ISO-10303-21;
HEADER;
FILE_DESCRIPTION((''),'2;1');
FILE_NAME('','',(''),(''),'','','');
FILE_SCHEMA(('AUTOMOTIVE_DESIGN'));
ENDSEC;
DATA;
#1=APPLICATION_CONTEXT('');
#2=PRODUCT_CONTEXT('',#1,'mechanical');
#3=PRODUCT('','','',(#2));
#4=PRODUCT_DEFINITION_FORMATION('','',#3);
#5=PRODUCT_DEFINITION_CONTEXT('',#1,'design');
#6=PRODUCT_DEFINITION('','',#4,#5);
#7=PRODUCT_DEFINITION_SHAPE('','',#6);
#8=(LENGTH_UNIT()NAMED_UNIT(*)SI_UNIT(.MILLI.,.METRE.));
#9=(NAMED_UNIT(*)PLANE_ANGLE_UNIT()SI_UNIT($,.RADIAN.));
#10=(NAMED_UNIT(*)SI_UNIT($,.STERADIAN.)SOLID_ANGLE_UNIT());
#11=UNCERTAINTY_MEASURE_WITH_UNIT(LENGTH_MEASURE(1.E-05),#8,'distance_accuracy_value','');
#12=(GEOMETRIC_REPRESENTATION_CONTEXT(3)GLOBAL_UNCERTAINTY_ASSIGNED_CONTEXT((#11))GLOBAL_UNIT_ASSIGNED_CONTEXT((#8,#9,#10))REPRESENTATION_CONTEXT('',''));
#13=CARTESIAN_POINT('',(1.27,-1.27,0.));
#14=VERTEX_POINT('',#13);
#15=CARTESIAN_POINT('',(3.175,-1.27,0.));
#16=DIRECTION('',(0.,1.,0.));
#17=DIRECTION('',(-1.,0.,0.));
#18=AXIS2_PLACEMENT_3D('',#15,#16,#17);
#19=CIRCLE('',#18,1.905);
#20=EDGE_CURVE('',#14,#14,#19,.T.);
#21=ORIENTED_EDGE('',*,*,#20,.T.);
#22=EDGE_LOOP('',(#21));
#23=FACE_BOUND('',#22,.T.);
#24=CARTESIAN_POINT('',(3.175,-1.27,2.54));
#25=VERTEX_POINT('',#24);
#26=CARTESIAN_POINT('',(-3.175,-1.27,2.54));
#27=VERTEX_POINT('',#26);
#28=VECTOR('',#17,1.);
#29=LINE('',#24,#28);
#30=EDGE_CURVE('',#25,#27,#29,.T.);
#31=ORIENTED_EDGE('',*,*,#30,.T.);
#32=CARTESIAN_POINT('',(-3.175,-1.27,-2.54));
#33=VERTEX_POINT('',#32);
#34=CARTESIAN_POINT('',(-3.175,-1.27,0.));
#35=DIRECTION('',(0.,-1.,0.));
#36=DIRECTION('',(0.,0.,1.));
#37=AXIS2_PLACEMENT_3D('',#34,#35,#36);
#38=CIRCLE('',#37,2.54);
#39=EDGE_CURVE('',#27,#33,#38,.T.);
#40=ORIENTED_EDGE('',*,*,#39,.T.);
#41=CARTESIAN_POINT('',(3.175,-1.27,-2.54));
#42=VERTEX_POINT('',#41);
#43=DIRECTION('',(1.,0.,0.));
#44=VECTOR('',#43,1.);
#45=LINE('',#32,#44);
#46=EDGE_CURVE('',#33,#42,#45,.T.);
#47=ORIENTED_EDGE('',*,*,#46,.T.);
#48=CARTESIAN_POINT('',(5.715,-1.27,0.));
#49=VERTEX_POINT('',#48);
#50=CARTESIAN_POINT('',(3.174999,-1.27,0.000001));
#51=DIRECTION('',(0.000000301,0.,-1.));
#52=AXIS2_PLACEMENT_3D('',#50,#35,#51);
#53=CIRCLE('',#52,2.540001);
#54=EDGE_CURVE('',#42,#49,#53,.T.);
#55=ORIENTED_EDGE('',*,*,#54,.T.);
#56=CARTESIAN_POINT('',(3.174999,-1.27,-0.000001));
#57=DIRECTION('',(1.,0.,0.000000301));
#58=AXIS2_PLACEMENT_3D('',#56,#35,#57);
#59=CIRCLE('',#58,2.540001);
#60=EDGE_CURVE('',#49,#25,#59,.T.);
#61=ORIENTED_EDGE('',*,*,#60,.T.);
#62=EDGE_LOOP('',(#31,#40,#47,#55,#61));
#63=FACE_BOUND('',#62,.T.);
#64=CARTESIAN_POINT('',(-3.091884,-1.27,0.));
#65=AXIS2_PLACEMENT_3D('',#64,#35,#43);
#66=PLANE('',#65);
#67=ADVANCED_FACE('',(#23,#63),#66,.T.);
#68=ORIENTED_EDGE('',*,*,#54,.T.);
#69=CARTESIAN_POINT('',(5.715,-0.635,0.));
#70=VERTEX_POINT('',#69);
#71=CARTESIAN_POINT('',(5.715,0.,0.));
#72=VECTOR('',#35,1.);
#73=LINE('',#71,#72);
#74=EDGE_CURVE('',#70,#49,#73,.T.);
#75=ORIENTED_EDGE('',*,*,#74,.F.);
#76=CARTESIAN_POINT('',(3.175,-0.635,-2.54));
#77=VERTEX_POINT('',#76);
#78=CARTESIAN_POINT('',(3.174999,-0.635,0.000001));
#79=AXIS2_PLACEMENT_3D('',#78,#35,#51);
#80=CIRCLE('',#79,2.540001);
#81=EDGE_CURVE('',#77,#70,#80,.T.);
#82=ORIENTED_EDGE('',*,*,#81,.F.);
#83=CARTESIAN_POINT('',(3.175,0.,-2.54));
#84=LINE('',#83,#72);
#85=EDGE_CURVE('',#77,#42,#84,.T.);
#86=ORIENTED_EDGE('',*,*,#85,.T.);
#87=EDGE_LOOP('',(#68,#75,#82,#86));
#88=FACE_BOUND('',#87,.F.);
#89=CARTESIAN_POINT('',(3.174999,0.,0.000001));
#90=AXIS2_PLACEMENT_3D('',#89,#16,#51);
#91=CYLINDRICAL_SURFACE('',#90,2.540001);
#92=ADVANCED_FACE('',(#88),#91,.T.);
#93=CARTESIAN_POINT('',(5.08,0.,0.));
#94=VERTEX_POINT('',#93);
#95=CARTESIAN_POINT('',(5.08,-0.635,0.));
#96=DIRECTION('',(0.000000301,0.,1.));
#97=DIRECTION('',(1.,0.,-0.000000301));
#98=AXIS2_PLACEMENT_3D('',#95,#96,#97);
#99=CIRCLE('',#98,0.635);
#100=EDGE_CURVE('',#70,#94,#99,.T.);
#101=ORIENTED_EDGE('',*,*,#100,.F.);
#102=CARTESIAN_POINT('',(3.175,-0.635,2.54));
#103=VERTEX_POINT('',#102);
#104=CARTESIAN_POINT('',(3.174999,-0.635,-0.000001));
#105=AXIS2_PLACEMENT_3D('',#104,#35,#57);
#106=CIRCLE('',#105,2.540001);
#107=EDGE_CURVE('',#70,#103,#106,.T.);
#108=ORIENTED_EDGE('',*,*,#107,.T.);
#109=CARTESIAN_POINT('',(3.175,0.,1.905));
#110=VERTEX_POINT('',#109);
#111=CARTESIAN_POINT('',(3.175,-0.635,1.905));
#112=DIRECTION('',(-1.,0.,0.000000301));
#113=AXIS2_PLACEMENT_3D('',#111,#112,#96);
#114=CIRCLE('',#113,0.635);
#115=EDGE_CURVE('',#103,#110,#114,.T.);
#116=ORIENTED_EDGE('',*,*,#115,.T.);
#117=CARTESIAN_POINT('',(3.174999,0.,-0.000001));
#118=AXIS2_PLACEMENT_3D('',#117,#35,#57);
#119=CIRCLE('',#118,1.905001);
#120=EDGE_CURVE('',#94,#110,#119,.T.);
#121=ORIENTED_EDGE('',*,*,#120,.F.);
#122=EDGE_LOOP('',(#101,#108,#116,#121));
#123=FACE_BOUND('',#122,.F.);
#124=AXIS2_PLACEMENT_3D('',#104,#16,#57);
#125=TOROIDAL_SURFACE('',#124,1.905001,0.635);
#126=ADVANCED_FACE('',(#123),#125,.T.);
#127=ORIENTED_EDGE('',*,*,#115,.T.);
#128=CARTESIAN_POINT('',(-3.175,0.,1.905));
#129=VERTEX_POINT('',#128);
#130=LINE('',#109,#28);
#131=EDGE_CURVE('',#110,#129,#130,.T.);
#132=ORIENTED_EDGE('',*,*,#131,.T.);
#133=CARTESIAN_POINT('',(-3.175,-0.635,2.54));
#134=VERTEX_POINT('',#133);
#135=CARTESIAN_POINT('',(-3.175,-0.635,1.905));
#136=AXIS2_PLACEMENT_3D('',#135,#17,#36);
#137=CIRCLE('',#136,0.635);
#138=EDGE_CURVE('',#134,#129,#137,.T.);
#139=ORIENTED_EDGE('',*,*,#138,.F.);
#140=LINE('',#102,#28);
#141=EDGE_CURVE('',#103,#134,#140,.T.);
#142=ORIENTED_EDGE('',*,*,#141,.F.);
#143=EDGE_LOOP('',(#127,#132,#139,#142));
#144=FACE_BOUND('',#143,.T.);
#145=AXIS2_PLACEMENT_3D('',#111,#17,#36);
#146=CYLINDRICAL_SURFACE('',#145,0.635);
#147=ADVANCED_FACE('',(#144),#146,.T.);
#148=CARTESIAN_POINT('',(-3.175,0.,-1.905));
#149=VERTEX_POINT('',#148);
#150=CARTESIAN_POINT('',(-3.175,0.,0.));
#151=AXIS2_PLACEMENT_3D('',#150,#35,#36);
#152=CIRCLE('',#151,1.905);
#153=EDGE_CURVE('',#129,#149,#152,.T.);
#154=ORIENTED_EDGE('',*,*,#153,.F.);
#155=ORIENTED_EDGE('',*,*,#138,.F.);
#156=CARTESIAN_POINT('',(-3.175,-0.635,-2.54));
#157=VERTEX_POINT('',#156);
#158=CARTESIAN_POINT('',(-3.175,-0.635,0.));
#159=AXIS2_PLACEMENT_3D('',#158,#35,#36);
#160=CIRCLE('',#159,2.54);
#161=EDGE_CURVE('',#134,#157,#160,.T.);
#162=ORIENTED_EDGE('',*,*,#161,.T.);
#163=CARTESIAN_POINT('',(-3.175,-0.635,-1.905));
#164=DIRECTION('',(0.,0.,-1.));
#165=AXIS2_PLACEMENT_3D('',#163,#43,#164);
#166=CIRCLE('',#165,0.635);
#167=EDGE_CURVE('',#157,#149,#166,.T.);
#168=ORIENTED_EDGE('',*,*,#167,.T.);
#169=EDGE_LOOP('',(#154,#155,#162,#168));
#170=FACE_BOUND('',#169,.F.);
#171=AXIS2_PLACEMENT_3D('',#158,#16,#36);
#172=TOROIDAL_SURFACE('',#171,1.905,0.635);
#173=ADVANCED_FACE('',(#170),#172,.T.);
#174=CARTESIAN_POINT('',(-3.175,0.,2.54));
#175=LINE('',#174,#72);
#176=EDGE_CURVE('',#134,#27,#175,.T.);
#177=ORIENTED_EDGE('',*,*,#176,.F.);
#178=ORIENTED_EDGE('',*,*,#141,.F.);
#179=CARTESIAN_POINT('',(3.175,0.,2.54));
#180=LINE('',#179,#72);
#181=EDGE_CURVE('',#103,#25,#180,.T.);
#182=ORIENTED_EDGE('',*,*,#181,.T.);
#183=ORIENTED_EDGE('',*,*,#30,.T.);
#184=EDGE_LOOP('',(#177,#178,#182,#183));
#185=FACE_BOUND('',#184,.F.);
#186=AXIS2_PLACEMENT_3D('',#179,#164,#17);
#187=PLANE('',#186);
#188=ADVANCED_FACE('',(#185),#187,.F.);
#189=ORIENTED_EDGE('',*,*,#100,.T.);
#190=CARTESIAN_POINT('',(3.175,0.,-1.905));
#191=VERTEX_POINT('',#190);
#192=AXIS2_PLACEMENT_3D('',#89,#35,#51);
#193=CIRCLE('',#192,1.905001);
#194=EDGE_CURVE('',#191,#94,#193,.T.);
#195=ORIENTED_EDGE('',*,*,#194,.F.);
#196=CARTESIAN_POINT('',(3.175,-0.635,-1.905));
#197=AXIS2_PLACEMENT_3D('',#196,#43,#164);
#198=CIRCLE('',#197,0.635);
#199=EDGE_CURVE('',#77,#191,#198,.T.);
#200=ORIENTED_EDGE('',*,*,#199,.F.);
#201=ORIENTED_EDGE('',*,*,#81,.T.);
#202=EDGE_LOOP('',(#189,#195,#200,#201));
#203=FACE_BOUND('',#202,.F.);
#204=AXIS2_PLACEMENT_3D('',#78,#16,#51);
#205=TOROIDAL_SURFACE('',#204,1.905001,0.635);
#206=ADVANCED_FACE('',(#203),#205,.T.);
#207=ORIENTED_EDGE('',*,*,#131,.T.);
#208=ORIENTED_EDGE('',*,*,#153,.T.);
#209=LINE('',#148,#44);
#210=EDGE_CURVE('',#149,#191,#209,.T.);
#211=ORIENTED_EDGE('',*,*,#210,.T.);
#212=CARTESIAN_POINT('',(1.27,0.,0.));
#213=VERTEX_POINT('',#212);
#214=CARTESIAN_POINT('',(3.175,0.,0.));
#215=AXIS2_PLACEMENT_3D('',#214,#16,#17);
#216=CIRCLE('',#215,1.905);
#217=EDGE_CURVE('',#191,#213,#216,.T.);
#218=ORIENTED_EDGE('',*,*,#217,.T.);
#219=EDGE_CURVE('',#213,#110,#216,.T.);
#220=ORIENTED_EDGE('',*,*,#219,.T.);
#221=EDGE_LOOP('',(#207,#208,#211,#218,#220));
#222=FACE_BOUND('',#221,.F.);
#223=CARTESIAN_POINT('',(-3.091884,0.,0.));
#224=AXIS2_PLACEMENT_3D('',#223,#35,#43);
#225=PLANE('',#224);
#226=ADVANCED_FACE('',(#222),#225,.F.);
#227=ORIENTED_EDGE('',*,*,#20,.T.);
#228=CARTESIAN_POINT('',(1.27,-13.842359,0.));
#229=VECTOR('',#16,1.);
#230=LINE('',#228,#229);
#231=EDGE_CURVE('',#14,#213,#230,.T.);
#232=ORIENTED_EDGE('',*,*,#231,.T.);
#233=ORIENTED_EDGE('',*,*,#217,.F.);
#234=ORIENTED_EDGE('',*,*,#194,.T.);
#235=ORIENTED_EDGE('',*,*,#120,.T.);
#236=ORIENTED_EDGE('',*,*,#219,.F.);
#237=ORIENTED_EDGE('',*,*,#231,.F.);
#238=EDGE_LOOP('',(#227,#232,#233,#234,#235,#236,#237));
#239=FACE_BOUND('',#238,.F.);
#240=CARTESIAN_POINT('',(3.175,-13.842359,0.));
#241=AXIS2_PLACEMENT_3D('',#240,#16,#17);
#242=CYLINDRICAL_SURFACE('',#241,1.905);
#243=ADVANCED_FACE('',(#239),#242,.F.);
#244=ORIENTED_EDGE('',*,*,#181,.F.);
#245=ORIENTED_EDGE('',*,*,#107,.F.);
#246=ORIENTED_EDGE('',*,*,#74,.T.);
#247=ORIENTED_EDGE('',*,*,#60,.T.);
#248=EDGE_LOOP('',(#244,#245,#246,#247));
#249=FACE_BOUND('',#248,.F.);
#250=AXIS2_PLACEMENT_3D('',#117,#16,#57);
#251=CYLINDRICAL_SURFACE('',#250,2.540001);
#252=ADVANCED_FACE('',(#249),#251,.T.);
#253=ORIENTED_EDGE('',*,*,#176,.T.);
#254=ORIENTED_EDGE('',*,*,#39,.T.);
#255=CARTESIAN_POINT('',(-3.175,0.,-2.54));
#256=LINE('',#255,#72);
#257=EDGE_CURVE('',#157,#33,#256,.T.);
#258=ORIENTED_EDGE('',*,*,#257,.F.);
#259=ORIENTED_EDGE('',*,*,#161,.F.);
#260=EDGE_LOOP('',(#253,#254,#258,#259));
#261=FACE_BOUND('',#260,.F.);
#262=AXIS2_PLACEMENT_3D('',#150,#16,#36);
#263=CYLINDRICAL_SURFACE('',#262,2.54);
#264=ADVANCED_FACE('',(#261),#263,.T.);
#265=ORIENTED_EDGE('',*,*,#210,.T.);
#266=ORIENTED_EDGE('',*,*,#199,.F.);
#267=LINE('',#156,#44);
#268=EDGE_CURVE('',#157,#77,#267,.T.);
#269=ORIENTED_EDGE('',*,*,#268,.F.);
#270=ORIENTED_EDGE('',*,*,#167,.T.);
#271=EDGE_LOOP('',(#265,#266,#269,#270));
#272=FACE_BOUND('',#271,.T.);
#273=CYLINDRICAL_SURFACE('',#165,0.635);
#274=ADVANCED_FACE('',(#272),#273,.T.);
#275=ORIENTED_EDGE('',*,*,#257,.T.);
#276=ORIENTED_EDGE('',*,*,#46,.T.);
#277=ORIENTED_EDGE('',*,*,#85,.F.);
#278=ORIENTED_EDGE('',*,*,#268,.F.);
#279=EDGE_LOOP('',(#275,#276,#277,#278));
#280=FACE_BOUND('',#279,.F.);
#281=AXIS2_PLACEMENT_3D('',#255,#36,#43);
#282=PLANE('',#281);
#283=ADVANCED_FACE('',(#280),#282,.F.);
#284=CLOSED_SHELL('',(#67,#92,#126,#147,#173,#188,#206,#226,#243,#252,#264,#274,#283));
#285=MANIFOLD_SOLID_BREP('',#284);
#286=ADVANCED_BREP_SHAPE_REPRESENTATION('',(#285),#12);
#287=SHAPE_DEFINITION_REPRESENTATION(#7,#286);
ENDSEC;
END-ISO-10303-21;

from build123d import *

# Parameters (mm, degrees)
F1_DEPTH = 1.27
F2_R     = 0.635
F4_D     = 3.81


with BuildPart() as f1:
    # F0 (on Front) → F1 (new body)
    with BuildSketch(Plane.XZ):
        with BuildLine():
            ThreePointArc((-3.175, -2.54), (-1.378949, -1.796051), (-0.635, 0))
            ThreePointArc((-0.635, 0), (-1.378949, 1.796051), (-3.175, 2.54))
            ThreePointArc((-3.175, 2.54), (-5.715, 0), (-3.175, -2.54))
        make_face()
        with BuildLine():
            ThreePointArc((-3.175, 2.54), (-1.378949, 1.796051), (-0.635, 0))
            ThreePointArc((-0.635, 0), (-1.378949, -1.796051), (-3.175, -2.54))
            Line((-3.175, -2.54), (3.175, -2.54))
            ThreePointArc((3.175, -2.54), (0.635, 0), (3.175, 2.54))
            Line((3.175, 2.54), (-3.175, 2.54))
        make_face()
        with BuildLine():
            ThreePointArc((5.715, 0), (4.971051, 1.796051), (3.175, 2.54))
            ThreePointArc((3.175, 2.54), (0.635, 0), (3.175, -2.54))
            ThreePointArc((3.175, -2.54), (4.971051, -1.796051), (5.715, 0))
        make_face()
    extrude(amount=F1_DEPTH)

    # F2
    f2_edges = [f1.edges().sort_by_distance(p)[0] for p in [
        (0, 0, -2.54),
    ]]
    fillet(f2_edges, radius=F2_R)

    # F4 (through all)
    with Locations(Plane.XZ.offset(1.27)):
        with Locations((3.175, 0)):
            Hole(F4_D / 2)


solid = f1.part
